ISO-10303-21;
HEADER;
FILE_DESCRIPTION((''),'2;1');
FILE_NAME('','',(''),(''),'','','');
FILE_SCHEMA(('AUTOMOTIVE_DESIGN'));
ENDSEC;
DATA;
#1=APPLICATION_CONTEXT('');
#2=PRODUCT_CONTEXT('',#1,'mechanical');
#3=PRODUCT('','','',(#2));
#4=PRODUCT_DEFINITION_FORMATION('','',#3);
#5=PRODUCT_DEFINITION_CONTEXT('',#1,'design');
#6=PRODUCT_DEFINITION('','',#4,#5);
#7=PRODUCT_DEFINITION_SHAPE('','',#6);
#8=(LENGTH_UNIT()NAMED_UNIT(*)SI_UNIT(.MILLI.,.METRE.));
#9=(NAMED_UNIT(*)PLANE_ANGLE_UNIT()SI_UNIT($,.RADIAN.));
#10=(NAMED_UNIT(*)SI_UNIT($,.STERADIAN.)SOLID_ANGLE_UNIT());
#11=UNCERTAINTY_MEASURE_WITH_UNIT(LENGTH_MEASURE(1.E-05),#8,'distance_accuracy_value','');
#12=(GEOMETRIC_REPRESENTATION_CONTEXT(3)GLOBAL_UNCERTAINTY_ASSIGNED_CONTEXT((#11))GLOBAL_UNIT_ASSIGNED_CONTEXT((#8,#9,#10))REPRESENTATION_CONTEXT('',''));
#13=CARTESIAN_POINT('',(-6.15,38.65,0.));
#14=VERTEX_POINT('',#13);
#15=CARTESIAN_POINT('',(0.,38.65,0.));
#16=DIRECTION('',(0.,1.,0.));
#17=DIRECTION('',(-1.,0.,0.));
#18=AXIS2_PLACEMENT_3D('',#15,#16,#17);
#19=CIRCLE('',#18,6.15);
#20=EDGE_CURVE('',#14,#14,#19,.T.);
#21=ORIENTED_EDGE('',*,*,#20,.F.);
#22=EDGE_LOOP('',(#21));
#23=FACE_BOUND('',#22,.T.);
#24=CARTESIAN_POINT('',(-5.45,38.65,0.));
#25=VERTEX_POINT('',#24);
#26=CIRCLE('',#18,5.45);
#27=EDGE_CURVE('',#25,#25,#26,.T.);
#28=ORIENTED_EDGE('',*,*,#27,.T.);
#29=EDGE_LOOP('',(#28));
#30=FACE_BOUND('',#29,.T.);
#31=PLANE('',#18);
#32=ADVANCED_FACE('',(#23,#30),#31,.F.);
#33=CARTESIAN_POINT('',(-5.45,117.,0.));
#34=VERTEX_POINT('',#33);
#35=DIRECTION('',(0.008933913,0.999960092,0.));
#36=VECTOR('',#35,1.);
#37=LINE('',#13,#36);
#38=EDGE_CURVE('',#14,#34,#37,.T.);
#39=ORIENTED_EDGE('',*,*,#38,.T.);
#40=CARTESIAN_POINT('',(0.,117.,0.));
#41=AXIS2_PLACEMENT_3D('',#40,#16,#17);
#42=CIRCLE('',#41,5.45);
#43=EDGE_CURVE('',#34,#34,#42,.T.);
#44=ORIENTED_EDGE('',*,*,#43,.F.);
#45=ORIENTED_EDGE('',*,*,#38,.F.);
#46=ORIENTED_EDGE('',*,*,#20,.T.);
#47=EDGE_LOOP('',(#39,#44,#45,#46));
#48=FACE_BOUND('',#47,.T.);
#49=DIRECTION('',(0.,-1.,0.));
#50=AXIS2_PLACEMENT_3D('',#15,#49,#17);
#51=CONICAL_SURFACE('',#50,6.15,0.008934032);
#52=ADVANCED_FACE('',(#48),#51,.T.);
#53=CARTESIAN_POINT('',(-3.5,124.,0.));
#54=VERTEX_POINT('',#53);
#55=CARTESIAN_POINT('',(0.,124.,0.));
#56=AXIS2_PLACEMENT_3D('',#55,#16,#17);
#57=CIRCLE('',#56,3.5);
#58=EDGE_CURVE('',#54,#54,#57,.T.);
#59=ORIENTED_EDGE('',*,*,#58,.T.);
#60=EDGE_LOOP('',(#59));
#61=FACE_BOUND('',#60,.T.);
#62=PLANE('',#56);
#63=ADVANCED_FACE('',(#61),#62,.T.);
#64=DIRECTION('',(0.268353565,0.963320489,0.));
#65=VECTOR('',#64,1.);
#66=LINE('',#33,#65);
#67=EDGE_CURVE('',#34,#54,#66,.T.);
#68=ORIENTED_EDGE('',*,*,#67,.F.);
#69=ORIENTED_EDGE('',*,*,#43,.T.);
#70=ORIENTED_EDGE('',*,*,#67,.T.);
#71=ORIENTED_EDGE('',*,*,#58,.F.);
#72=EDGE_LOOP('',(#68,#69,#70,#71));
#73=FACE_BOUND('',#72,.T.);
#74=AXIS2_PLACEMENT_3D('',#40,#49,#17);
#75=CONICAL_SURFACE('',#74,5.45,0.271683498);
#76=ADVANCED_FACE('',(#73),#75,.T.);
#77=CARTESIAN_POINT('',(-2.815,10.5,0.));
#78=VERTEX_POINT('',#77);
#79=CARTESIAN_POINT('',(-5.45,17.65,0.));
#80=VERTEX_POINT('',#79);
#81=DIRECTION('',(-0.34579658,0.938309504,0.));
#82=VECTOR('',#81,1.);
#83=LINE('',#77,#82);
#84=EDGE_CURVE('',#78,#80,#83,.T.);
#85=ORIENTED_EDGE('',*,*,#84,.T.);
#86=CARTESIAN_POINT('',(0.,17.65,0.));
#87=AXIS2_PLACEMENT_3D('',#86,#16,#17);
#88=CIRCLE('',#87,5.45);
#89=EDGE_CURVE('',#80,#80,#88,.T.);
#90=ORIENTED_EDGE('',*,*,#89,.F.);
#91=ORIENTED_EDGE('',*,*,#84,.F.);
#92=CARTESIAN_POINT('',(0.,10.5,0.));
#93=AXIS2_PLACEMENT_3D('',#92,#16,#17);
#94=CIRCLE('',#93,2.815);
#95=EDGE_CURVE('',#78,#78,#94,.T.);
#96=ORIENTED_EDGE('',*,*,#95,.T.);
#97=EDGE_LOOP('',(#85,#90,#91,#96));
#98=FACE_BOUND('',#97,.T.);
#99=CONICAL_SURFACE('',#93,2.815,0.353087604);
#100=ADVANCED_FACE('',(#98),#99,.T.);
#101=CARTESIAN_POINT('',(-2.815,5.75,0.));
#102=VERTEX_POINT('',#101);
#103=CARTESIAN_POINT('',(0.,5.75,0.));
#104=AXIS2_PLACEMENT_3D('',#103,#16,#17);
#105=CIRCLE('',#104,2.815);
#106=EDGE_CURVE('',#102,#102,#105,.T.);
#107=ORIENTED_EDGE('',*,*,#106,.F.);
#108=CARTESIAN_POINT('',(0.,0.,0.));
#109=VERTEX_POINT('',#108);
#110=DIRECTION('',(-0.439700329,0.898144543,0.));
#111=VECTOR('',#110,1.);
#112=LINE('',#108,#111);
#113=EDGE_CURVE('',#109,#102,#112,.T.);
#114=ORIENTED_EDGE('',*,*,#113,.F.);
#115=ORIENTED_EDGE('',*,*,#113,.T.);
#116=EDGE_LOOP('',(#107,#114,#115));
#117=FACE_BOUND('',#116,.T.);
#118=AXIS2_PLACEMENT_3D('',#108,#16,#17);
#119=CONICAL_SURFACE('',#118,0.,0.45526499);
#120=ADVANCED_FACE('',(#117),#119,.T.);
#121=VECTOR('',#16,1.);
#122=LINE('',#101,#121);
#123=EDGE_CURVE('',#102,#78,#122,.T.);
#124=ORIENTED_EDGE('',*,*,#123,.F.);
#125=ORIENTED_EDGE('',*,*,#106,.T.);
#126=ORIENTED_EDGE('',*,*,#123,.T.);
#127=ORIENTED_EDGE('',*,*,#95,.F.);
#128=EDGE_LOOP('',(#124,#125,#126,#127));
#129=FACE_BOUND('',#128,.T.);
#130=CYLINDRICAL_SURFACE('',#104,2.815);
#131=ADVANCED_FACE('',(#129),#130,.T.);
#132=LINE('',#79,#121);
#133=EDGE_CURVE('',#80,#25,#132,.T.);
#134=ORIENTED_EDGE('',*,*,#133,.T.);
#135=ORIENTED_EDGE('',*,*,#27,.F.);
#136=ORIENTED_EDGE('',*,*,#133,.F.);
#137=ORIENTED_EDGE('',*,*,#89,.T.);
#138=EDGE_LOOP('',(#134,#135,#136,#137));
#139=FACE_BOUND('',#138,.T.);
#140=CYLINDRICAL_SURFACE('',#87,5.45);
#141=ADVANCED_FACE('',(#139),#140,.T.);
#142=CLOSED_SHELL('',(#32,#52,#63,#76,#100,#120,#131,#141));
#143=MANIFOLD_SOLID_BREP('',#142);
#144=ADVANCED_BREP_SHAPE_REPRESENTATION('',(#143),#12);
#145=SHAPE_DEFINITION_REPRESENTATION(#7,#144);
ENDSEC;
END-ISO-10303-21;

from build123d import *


with BuildPart() as part:
    # Sketch → Revolution (revolve)
    with BuildSketch(Plane.XY):
        Polygon((-3.5, 124), (0, 124), (0, 0), (-2.815, 5.75), (-2.815, 10.5), (-5.45, 17.65), (-5.45, 38.65), (-6.15, 38.65), (-5.45, 117), align=None)
    revolve(axis=Axis((0, 0, 0), (0, 1, 0)))


solid = part.part
